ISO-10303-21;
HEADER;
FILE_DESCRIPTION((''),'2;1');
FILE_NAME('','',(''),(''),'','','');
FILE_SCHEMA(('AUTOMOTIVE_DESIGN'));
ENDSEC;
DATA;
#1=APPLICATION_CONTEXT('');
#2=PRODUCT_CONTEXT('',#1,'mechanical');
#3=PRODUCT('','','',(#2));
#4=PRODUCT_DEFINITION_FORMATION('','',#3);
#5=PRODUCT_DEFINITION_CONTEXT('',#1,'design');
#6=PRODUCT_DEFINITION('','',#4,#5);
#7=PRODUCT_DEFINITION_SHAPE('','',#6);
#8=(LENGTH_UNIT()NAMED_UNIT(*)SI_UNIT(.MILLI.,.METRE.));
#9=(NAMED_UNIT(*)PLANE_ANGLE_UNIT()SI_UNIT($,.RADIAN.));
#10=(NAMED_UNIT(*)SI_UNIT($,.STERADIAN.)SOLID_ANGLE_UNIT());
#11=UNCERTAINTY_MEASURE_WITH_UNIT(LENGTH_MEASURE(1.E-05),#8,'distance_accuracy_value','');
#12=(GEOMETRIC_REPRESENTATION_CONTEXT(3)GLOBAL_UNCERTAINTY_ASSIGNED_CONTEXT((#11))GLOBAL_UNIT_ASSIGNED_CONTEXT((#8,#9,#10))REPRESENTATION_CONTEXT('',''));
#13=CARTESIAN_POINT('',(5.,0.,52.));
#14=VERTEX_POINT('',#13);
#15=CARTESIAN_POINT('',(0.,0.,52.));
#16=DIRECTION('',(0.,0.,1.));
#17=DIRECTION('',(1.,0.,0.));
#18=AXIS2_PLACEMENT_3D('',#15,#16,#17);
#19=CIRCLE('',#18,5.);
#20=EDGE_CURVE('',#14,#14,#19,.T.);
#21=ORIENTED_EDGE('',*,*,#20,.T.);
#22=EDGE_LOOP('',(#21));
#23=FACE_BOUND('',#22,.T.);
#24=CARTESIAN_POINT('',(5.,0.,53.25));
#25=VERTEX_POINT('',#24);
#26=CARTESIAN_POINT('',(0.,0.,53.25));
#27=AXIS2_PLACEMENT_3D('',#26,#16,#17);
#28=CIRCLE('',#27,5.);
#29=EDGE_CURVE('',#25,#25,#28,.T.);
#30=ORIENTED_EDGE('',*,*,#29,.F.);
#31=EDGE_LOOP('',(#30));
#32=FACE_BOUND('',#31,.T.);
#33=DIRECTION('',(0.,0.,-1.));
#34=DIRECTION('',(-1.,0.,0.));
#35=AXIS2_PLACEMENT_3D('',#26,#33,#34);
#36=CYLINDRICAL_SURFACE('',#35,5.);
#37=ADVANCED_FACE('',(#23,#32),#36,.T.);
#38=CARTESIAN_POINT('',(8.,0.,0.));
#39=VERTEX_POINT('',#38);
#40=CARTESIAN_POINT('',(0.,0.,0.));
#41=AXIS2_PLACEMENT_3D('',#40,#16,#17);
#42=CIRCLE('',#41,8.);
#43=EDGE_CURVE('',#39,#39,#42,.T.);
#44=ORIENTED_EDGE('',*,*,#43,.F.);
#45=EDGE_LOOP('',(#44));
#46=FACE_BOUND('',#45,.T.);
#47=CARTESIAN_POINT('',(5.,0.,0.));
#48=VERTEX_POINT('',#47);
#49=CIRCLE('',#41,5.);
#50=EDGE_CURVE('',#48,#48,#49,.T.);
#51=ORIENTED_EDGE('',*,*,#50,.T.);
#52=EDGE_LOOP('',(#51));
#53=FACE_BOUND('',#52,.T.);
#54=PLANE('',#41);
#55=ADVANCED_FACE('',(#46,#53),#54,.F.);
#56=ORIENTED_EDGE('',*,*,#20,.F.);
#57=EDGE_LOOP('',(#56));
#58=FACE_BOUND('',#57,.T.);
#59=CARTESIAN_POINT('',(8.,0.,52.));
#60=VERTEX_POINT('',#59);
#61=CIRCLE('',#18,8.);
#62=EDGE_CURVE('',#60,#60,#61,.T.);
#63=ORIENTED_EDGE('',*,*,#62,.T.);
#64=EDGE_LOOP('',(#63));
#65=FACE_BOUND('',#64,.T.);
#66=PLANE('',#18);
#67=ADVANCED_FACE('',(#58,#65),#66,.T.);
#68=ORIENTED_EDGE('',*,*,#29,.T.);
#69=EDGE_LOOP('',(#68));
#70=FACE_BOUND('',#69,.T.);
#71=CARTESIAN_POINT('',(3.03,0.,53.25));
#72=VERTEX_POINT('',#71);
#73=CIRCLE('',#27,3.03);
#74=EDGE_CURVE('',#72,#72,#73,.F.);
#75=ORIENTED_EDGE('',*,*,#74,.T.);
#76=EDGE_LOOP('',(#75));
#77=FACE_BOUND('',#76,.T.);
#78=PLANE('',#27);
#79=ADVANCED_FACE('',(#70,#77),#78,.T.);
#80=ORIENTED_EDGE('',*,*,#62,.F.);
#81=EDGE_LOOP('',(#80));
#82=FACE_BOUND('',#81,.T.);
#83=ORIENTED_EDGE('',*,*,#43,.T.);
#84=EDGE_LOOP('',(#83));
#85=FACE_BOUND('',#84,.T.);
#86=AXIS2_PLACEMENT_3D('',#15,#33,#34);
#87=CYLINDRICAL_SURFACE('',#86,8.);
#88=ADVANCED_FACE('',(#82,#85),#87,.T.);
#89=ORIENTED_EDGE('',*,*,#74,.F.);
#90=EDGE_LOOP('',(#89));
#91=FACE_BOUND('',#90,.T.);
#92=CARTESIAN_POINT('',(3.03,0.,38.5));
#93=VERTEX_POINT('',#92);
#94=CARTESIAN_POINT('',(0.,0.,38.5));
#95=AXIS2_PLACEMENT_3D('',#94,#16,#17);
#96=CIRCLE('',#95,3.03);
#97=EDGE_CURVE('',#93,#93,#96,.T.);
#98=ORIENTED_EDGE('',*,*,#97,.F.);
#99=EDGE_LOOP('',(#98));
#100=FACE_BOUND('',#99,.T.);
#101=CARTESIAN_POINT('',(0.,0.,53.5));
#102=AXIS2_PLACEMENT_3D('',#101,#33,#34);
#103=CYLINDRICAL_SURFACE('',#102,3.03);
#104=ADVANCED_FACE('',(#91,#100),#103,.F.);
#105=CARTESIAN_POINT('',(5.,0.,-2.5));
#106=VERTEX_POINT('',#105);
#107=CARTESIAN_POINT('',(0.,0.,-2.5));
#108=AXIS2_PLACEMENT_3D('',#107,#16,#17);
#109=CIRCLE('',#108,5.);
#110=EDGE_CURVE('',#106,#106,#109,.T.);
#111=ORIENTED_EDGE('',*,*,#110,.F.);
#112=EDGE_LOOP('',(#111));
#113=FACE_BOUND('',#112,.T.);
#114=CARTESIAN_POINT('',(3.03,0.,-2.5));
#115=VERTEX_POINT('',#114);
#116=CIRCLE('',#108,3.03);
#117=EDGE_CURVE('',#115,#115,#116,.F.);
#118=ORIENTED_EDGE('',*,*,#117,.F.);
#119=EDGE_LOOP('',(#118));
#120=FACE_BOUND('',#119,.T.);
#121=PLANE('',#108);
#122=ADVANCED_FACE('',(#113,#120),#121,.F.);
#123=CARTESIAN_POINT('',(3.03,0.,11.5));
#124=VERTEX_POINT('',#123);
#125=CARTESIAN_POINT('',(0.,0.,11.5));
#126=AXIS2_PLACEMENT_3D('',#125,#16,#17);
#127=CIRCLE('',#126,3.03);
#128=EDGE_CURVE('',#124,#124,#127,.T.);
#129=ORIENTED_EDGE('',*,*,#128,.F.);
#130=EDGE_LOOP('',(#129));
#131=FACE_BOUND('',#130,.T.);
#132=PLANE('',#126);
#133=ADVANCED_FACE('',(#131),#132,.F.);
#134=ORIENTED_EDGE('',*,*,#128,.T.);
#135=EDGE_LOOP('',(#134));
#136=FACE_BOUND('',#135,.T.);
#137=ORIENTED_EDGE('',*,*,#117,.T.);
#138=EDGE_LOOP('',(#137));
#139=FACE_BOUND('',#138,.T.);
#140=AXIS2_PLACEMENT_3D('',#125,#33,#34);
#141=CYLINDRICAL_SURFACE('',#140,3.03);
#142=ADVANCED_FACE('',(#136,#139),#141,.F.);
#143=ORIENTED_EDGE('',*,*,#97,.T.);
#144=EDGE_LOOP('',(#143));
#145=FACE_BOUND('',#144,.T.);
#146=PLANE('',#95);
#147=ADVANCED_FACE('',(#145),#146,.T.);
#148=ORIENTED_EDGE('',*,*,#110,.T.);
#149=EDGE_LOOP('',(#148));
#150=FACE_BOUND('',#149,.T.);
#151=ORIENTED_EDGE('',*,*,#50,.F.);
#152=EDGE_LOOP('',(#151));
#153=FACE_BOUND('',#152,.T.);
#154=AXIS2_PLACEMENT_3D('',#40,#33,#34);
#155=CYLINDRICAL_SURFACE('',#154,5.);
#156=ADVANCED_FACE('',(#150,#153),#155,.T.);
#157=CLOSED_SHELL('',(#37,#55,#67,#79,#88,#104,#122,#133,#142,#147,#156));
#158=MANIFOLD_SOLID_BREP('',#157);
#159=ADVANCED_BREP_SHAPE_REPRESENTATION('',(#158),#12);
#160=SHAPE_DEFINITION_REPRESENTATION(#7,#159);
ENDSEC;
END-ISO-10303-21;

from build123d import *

# Parameters (mm, degrees)
S01_TURNED_STEEL_BODY_R               = 8
F_01_TURNED_STEEL_BODY_DEPTH          = 52
F_02_START                            = -2.5
S02_BACKPLATE_LOCATING_SPIGOT_R       = 5
F_02_BACKPLATE_LOCATING_SPIGOT_DEPTH  = 2.5
F_03_START                            = 52
S03_TRACK_LOCATING_SPIGOT_R           = 5
F_03_TRACK_LOCATING_SPIGOT_DEPTH      = 1.25
F_04_START                            = -2.6
S04_REAR_M6_THREADED_ENVELOPE_R       = 3.03
F_04_REAR_M6_THREADED_ENVELOPE_DEPTH  = 14.1
F_05_START                            = 38.5
S05_FRONT_M6_THREADED_ENVELOPE_R      = 3.03
F_05_FRONT_M6_THREADED_ENVELOPE_DEPTH = 15


with BuildPart() as part:
    # S01 - Turned steel body → 01 - Turned steel body (new body)
    with BuildSketch(Plane.XY):
        Circle(S01_TURNED_STEEL_BODY_R)
    extrude(amount=F_01_TURNED_STEEL_BODY_DEPTH)

    # S02 - Backplate locating spigot → 02 - Backplate locating spigot (add)
    with BuildSketch(Plane.XY.offset(F_02_START)):
        Circle(S02_BACKPLATE_LOCATING_SPIGOT_R)
    extrude(amount=F_02_BACKPLATE_LOCATING_SPIGOT_DEPTH)

    # S03 - Track locating spigot → 03 - Track locating spigot (add)
    with BuildSketch(Plane.XY.offset(F_03_START)):
        Circle(S03_TRACK_LOCATING_SPIGOT_R)
    extrude(amount=F_03_TRACK_LOCATING_SPIGOT_DEPTH)

    # S04 - Rear M6 threaded envelope → 04 - Rear M6 threaded envelope (cut)
    with BuildSketch(Plane.XY.offset(F_04_START)):
        Circle(S04_REAR_M6_THREADED_ENVELOPE_R)
    extrude(amount=F_04_REAR_M6_THREADED_ENVELOPE_DEPTH, mode=Mode.SUBTRACT)

    # S05 - Front M6 threaded envelope → 05 - Front M6 threaded envelope (cut)
    with BuildSketch(Plane.XY.offset(F_05_START)):
        Circle(S05_FRONT_M6_THREADED_ENVELOPE_R)
    extrude(amount=F_05_FRONT_M6_THREADED_ENVELOPE_DEPTH, mode=Mode.SUBTRACT)


solid = part.part
